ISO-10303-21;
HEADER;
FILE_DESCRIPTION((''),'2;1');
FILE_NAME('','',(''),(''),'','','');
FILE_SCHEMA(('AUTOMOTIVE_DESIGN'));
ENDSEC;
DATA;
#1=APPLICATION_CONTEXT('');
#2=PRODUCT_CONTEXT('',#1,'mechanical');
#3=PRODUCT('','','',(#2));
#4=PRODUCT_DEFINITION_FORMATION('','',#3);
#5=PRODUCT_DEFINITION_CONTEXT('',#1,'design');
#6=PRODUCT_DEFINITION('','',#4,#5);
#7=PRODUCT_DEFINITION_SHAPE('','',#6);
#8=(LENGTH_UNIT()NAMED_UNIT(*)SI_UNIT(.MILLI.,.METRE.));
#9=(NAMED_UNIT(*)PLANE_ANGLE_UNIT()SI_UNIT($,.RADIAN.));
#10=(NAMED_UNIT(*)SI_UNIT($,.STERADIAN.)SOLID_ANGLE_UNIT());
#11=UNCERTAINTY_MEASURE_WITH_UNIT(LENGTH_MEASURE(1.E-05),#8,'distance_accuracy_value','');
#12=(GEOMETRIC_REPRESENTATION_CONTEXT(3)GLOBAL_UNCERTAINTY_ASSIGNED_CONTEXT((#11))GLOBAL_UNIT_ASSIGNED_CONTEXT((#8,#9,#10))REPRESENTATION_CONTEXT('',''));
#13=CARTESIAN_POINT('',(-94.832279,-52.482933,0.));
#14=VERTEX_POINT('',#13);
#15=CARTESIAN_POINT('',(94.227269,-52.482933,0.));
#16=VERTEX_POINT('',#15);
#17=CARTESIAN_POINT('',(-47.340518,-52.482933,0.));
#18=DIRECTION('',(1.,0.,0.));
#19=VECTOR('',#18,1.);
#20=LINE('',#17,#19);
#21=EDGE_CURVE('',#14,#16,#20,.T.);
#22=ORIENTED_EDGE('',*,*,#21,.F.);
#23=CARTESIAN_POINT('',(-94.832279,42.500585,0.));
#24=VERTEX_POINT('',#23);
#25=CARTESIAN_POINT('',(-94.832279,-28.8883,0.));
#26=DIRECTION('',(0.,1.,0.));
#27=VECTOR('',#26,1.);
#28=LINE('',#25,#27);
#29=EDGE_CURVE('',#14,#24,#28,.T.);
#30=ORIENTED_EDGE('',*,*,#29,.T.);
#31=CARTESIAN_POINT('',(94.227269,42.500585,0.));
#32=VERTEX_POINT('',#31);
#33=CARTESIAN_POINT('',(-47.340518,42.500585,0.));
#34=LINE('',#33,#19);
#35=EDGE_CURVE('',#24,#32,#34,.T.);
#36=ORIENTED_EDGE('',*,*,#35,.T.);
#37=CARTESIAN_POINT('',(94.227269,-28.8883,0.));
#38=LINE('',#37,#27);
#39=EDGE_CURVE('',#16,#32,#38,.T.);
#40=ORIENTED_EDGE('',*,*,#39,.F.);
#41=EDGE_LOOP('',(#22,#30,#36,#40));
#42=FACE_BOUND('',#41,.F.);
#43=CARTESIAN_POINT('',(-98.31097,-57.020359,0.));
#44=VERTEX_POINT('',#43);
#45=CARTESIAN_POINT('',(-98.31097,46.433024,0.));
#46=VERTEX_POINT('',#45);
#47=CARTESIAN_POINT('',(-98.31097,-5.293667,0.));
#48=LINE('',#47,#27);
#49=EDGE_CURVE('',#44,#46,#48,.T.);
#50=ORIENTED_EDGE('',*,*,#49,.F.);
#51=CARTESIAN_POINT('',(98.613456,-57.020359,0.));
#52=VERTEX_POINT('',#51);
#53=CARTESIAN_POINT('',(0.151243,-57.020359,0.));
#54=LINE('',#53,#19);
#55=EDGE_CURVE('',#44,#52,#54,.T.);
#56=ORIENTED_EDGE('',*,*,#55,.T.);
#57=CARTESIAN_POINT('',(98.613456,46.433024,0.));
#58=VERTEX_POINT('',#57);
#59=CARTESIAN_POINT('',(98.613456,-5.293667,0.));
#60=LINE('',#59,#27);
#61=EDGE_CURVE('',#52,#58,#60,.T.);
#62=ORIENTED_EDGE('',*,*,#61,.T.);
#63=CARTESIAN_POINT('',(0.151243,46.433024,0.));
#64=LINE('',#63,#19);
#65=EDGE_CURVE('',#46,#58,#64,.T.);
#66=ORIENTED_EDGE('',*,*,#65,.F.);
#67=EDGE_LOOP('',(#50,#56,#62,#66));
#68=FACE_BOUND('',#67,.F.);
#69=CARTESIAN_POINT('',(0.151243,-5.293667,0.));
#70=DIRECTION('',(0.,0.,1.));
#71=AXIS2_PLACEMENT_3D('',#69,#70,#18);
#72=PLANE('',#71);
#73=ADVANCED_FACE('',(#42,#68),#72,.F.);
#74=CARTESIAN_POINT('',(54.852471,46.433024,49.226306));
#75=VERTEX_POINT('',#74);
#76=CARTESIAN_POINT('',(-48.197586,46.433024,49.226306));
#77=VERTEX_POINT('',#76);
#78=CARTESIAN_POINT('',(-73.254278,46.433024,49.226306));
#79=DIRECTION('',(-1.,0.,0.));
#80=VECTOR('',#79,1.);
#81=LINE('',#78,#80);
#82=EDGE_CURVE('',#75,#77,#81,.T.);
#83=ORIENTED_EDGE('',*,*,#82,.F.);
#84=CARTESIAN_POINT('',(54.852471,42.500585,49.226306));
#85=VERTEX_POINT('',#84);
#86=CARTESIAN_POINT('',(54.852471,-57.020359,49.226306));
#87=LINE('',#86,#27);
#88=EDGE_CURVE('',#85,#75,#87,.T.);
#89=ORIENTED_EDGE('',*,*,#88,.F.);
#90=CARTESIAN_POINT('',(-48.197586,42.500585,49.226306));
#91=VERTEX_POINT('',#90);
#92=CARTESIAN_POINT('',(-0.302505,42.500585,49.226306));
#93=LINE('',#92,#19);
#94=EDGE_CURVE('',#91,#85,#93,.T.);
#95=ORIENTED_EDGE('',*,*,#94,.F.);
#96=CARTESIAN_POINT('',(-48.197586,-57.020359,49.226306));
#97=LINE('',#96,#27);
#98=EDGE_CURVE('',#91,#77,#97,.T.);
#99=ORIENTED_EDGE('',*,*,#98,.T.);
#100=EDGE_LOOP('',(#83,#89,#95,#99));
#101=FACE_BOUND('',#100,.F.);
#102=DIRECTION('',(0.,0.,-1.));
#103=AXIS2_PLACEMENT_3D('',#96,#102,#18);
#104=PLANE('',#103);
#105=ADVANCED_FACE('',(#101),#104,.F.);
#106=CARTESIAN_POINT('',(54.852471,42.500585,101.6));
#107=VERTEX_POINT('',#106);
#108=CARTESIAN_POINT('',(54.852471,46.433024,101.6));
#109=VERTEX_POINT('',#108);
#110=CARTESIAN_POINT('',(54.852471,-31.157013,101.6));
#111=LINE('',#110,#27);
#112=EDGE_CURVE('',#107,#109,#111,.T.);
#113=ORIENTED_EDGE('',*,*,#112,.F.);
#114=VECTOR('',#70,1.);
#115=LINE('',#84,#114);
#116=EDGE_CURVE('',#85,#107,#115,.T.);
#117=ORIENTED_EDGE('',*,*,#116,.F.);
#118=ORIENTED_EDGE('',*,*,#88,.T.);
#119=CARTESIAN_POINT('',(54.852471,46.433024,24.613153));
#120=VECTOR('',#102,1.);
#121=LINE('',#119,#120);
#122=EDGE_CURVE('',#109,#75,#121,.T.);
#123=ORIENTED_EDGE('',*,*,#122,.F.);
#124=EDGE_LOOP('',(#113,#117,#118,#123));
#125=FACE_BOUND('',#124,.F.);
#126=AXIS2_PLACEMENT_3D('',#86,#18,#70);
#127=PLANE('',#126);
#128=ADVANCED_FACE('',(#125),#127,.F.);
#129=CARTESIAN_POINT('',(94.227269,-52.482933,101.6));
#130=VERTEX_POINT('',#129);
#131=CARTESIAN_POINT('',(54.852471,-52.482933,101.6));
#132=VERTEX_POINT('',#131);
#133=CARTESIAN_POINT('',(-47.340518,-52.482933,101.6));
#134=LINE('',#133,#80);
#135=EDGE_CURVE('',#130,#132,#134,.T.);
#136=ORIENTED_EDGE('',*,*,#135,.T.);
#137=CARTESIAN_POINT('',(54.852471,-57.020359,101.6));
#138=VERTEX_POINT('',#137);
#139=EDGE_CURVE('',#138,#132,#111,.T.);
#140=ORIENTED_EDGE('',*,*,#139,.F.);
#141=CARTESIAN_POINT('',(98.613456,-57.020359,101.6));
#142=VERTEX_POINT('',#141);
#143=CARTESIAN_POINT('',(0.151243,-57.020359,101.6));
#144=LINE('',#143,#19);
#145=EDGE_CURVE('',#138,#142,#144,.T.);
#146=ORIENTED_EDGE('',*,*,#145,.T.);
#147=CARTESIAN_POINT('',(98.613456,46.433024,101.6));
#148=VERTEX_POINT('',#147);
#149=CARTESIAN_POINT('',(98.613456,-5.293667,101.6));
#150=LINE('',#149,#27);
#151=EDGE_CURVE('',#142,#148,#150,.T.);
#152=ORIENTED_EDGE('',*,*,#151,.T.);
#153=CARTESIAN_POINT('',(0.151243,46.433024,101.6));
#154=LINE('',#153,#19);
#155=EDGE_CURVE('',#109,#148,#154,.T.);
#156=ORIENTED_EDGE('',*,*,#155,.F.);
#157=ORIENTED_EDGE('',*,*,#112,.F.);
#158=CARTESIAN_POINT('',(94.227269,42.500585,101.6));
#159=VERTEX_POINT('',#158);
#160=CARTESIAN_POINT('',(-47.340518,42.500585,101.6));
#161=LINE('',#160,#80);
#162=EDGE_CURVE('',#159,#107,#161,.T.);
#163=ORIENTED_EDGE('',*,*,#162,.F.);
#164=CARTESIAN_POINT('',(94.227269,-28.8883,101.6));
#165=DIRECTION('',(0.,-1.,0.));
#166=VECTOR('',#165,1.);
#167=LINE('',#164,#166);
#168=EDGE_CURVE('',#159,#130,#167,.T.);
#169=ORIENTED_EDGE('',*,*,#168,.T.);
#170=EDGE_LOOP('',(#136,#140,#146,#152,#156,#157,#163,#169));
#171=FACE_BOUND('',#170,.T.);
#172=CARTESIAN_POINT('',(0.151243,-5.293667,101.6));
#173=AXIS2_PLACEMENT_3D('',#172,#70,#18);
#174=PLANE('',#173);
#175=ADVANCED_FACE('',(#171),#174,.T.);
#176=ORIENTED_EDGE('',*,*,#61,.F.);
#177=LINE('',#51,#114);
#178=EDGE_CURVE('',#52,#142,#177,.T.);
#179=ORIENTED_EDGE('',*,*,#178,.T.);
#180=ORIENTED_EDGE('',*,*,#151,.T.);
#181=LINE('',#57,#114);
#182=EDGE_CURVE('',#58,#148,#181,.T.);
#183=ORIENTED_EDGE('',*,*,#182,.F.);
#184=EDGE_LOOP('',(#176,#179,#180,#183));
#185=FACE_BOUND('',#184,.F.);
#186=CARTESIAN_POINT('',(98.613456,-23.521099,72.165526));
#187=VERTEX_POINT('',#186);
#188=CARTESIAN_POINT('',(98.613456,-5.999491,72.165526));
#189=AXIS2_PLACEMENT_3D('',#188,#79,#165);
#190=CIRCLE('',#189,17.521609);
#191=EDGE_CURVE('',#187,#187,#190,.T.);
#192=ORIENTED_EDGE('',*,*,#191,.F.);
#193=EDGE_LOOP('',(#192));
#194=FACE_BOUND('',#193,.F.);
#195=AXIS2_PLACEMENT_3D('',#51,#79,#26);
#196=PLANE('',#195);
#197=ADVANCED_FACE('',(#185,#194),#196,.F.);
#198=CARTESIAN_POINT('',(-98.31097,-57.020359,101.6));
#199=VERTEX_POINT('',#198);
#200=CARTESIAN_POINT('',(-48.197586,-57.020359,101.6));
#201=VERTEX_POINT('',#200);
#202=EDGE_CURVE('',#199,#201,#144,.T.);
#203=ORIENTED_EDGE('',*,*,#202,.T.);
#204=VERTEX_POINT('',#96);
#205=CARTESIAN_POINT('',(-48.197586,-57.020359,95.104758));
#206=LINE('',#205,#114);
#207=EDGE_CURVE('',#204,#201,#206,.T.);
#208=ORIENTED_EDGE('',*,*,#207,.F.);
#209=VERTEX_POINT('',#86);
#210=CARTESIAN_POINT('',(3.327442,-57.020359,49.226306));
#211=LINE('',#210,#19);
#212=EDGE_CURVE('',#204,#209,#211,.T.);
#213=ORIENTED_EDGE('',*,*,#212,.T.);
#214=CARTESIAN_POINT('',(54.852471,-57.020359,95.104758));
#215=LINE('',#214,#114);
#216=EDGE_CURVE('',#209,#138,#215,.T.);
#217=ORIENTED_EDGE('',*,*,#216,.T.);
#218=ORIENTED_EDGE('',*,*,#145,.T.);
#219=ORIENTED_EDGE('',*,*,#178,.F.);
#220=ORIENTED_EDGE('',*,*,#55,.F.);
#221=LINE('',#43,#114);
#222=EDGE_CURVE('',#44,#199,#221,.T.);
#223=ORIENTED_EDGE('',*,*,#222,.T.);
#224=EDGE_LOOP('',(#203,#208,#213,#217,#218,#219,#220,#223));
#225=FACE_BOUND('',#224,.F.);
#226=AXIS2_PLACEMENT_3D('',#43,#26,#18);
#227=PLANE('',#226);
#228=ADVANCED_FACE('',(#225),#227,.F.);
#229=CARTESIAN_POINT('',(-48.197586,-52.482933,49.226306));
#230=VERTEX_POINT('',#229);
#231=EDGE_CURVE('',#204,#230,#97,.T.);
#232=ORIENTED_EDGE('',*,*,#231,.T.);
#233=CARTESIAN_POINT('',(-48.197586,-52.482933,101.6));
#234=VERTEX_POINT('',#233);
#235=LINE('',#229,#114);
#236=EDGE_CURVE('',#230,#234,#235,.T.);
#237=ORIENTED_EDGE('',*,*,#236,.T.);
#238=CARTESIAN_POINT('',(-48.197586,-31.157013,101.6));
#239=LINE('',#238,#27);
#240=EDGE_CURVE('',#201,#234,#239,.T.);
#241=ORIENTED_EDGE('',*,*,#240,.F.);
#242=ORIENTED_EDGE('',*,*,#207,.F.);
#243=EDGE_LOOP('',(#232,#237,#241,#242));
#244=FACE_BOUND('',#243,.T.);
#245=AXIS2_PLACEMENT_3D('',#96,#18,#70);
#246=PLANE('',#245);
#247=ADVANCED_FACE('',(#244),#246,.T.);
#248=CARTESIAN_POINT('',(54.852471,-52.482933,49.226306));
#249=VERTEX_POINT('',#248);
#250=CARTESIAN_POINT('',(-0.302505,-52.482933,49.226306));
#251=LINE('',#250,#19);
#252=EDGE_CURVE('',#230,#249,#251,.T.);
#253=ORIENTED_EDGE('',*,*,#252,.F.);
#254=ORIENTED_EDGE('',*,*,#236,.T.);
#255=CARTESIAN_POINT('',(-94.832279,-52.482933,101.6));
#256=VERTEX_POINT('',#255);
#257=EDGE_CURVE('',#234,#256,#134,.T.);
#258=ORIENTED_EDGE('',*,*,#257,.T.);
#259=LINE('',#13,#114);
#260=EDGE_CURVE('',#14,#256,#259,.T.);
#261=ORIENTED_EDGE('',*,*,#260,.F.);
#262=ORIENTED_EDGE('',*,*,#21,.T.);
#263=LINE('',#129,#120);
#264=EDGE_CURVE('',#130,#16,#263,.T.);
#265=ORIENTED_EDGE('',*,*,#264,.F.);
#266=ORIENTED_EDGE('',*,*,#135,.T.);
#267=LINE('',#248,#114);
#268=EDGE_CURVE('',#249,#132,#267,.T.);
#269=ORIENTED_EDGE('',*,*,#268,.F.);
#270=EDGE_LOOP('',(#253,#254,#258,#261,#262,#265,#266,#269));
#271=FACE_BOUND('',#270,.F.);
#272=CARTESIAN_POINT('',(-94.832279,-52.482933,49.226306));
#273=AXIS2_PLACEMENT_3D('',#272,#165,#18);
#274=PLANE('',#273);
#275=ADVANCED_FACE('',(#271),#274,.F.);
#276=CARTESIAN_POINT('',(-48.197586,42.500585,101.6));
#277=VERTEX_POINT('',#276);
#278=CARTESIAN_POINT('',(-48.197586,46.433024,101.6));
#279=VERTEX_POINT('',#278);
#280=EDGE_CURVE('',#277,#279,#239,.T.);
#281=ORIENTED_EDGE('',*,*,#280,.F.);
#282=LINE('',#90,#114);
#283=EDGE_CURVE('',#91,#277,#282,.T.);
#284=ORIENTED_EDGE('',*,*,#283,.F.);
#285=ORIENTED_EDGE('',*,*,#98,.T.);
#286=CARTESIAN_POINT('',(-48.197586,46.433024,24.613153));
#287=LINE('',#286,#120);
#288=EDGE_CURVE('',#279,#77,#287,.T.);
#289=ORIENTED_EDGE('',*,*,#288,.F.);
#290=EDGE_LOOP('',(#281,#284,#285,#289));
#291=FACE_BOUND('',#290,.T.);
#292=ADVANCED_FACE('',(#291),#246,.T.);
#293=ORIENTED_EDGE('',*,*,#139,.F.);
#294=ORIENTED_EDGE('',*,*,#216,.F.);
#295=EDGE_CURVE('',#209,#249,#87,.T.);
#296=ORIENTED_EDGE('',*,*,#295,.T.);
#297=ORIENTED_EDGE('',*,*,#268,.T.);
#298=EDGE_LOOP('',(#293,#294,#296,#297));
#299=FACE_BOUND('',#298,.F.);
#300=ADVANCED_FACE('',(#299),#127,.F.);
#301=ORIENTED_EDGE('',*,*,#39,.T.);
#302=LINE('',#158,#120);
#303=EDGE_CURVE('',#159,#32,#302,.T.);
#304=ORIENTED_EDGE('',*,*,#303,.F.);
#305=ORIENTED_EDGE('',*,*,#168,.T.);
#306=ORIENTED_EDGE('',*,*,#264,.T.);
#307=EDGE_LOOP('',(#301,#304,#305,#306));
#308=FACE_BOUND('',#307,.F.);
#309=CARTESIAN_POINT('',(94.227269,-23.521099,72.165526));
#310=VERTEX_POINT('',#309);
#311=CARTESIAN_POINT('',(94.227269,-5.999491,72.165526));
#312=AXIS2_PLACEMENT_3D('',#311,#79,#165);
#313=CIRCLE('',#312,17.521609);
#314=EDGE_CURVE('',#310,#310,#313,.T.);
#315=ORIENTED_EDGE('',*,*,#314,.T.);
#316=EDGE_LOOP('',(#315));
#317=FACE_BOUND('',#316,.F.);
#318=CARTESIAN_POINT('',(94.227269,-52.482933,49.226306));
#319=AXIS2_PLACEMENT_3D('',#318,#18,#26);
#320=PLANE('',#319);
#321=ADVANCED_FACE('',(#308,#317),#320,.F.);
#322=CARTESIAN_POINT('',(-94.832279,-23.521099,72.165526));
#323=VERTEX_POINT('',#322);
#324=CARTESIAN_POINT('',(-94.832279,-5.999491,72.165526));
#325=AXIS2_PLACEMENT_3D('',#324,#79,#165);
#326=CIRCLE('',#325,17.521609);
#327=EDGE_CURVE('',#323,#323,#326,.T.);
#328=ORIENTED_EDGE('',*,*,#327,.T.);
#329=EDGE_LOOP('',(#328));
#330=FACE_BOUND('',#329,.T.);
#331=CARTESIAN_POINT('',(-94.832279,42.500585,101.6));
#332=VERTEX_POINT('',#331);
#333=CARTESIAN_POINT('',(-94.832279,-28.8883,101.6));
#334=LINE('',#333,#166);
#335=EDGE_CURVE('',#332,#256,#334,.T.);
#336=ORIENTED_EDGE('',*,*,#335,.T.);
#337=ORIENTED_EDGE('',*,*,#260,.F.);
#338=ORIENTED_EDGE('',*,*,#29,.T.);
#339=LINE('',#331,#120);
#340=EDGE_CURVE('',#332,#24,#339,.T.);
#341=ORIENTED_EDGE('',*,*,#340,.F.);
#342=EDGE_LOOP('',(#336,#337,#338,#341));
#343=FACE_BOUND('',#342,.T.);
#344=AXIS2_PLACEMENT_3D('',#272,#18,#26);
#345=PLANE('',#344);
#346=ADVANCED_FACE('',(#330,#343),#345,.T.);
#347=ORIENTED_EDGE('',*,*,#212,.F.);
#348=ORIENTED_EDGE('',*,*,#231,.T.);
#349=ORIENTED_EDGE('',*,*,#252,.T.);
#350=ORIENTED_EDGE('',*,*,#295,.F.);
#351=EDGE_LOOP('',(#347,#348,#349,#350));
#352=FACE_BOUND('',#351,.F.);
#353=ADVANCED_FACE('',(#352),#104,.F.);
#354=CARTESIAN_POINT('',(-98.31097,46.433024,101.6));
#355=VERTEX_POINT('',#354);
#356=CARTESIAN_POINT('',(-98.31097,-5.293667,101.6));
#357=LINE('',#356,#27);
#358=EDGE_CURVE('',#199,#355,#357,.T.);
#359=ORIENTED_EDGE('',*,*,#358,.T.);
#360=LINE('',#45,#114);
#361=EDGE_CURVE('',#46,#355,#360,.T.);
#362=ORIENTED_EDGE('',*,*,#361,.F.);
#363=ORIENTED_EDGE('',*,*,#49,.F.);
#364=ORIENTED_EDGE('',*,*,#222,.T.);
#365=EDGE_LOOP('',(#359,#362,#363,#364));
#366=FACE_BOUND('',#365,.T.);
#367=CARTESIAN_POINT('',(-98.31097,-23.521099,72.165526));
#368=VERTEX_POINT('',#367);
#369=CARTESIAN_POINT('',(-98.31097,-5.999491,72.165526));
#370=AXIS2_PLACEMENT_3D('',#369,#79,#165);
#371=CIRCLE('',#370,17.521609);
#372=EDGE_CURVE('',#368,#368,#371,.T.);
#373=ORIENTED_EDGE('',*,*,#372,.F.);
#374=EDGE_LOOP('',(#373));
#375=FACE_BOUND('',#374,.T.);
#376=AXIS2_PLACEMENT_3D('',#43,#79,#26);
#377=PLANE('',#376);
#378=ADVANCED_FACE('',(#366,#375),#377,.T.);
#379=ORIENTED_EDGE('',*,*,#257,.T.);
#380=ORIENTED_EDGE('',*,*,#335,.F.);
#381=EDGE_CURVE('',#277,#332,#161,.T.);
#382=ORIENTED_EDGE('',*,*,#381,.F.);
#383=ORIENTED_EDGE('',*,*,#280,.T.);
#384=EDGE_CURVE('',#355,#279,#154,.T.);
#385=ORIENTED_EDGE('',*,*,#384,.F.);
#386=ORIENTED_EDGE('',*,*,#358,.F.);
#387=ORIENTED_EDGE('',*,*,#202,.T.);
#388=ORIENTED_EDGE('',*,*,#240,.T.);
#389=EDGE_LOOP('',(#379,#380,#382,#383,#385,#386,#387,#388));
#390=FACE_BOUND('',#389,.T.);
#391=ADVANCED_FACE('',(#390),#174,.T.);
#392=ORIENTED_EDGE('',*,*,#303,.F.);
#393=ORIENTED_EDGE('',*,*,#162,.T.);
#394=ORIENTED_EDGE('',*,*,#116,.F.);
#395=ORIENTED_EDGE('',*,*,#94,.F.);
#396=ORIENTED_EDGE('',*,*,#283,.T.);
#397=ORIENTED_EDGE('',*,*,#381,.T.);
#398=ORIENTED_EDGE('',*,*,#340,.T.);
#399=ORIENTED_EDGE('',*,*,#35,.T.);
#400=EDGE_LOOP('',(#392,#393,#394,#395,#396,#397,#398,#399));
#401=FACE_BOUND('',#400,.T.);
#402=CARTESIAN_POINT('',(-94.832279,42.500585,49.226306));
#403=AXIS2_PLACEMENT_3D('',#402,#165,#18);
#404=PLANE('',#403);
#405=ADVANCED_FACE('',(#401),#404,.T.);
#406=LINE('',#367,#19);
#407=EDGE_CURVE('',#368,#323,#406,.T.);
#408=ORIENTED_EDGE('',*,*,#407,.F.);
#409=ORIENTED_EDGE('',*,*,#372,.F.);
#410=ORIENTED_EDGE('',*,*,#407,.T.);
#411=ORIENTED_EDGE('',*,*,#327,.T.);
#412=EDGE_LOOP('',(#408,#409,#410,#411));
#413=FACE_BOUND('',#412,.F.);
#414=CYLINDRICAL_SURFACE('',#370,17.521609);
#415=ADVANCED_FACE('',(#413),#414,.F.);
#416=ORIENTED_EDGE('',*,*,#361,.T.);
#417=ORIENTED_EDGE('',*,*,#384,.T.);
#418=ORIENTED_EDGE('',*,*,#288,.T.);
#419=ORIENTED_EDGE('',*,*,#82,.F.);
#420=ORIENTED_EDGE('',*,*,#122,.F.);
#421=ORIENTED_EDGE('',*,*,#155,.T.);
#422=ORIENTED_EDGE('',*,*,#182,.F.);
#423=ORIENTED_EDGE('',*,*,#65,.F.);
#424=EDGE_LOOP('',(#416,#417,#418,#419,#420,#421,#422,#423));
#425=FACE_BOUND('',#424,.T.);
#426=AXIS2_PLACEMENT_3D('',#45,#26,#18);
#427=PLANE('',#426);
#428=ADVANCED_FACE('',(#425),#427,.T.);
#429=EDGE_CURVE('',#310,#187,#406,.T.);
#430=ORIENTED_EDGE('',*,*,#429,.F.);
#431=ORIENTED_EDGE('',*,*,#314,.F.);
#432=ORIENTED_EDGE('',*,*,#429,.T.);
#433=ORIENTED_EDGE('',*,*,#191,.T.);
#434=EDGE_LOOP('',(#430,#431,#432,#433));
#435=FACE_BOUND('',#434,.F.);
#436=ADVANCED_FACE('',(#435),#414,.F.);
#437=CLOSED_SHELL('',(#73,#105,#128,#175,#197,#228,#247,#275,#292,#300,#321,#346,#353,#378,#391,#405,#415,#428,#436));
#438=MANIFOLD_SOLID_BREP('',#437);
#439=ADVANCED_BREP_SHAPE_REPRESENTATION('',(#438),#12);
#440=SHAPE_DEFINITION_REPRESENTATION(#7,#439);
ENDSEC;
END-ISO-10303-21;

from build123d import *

# Parameters (mm, degrees)
F0_W     = 196.9244256616
F0_H     = 103.4533828497
F1_DEPTH = 101.6
F2_W     = 103.0500568449
F2_H     = 91.7569026351
F3_DEPTH = 103.4543828497
F4_R     = 17.5216087131
F5_DEPTH = 196.9254256616
F6_W     = 189.05954808
F6_H     = 94.9835181236
F7_DEPTH = 52.3746936212
F8_W     = 189.05954808
F8_H     = 94.9835181236
F9_DEPTH = 49.2273063788


with BuildPart() as f1:
    # F0 (on Top) → F1 (new body)
    with BuildSketch(Plane.XY):
        with Locations((0.1512430608, -5.2936673164)):
            Rectangle(F0_W, F0_H)
    extrude(amount=F1_DEPTH)

    # F2 (on face) → F3 (cut, through all)
    with BuildSketch(Plane.XZ.offset(57.0203587413)):
        with Locations((3.3274423331, 95.1047576964)):
            Rectangle(F2_W, F2_H)
    extrude(amount=-F3_DEPTH, mode=Mode.SUBTRACT)

    # F4 (on face) → F5 (cut, through all)
    with BuildSketch(Plane(origin=(-98.31096977, 0, 0), x_dir=(0, -1, 0), z_dir=(-1, 0, 0))):
        with Locations((5.9994906187, 72.1655264497)):
            Circle(F4_R)
    extrude(amount=-F5_DEPTH, mode=Mode.SUBTRACT)

    # F6 (on face) → F7 (cut, through all)
    with BuildSketch(Plane.XY.offset(49.2263063788)):
        with Locations((-0.3025047481, -4.9911737442)):
            Rectangle(F6_W, F6_H)
    extrude(amount=F7_DEPTH, mode=Mode.SUBTRACT)

    # F8 (on face) → F9 (cut, through all)
    with BuildSketch(Plane.XY.offset(49.2263063788)):
        with Locations((-0.3025047481, -4.9911737442)):
            Rectangle(F8_W, F8_H)
    extrude(amount=-F9_DEPTH, mode=Mode.SUBTRACT)


solid = f1.part
